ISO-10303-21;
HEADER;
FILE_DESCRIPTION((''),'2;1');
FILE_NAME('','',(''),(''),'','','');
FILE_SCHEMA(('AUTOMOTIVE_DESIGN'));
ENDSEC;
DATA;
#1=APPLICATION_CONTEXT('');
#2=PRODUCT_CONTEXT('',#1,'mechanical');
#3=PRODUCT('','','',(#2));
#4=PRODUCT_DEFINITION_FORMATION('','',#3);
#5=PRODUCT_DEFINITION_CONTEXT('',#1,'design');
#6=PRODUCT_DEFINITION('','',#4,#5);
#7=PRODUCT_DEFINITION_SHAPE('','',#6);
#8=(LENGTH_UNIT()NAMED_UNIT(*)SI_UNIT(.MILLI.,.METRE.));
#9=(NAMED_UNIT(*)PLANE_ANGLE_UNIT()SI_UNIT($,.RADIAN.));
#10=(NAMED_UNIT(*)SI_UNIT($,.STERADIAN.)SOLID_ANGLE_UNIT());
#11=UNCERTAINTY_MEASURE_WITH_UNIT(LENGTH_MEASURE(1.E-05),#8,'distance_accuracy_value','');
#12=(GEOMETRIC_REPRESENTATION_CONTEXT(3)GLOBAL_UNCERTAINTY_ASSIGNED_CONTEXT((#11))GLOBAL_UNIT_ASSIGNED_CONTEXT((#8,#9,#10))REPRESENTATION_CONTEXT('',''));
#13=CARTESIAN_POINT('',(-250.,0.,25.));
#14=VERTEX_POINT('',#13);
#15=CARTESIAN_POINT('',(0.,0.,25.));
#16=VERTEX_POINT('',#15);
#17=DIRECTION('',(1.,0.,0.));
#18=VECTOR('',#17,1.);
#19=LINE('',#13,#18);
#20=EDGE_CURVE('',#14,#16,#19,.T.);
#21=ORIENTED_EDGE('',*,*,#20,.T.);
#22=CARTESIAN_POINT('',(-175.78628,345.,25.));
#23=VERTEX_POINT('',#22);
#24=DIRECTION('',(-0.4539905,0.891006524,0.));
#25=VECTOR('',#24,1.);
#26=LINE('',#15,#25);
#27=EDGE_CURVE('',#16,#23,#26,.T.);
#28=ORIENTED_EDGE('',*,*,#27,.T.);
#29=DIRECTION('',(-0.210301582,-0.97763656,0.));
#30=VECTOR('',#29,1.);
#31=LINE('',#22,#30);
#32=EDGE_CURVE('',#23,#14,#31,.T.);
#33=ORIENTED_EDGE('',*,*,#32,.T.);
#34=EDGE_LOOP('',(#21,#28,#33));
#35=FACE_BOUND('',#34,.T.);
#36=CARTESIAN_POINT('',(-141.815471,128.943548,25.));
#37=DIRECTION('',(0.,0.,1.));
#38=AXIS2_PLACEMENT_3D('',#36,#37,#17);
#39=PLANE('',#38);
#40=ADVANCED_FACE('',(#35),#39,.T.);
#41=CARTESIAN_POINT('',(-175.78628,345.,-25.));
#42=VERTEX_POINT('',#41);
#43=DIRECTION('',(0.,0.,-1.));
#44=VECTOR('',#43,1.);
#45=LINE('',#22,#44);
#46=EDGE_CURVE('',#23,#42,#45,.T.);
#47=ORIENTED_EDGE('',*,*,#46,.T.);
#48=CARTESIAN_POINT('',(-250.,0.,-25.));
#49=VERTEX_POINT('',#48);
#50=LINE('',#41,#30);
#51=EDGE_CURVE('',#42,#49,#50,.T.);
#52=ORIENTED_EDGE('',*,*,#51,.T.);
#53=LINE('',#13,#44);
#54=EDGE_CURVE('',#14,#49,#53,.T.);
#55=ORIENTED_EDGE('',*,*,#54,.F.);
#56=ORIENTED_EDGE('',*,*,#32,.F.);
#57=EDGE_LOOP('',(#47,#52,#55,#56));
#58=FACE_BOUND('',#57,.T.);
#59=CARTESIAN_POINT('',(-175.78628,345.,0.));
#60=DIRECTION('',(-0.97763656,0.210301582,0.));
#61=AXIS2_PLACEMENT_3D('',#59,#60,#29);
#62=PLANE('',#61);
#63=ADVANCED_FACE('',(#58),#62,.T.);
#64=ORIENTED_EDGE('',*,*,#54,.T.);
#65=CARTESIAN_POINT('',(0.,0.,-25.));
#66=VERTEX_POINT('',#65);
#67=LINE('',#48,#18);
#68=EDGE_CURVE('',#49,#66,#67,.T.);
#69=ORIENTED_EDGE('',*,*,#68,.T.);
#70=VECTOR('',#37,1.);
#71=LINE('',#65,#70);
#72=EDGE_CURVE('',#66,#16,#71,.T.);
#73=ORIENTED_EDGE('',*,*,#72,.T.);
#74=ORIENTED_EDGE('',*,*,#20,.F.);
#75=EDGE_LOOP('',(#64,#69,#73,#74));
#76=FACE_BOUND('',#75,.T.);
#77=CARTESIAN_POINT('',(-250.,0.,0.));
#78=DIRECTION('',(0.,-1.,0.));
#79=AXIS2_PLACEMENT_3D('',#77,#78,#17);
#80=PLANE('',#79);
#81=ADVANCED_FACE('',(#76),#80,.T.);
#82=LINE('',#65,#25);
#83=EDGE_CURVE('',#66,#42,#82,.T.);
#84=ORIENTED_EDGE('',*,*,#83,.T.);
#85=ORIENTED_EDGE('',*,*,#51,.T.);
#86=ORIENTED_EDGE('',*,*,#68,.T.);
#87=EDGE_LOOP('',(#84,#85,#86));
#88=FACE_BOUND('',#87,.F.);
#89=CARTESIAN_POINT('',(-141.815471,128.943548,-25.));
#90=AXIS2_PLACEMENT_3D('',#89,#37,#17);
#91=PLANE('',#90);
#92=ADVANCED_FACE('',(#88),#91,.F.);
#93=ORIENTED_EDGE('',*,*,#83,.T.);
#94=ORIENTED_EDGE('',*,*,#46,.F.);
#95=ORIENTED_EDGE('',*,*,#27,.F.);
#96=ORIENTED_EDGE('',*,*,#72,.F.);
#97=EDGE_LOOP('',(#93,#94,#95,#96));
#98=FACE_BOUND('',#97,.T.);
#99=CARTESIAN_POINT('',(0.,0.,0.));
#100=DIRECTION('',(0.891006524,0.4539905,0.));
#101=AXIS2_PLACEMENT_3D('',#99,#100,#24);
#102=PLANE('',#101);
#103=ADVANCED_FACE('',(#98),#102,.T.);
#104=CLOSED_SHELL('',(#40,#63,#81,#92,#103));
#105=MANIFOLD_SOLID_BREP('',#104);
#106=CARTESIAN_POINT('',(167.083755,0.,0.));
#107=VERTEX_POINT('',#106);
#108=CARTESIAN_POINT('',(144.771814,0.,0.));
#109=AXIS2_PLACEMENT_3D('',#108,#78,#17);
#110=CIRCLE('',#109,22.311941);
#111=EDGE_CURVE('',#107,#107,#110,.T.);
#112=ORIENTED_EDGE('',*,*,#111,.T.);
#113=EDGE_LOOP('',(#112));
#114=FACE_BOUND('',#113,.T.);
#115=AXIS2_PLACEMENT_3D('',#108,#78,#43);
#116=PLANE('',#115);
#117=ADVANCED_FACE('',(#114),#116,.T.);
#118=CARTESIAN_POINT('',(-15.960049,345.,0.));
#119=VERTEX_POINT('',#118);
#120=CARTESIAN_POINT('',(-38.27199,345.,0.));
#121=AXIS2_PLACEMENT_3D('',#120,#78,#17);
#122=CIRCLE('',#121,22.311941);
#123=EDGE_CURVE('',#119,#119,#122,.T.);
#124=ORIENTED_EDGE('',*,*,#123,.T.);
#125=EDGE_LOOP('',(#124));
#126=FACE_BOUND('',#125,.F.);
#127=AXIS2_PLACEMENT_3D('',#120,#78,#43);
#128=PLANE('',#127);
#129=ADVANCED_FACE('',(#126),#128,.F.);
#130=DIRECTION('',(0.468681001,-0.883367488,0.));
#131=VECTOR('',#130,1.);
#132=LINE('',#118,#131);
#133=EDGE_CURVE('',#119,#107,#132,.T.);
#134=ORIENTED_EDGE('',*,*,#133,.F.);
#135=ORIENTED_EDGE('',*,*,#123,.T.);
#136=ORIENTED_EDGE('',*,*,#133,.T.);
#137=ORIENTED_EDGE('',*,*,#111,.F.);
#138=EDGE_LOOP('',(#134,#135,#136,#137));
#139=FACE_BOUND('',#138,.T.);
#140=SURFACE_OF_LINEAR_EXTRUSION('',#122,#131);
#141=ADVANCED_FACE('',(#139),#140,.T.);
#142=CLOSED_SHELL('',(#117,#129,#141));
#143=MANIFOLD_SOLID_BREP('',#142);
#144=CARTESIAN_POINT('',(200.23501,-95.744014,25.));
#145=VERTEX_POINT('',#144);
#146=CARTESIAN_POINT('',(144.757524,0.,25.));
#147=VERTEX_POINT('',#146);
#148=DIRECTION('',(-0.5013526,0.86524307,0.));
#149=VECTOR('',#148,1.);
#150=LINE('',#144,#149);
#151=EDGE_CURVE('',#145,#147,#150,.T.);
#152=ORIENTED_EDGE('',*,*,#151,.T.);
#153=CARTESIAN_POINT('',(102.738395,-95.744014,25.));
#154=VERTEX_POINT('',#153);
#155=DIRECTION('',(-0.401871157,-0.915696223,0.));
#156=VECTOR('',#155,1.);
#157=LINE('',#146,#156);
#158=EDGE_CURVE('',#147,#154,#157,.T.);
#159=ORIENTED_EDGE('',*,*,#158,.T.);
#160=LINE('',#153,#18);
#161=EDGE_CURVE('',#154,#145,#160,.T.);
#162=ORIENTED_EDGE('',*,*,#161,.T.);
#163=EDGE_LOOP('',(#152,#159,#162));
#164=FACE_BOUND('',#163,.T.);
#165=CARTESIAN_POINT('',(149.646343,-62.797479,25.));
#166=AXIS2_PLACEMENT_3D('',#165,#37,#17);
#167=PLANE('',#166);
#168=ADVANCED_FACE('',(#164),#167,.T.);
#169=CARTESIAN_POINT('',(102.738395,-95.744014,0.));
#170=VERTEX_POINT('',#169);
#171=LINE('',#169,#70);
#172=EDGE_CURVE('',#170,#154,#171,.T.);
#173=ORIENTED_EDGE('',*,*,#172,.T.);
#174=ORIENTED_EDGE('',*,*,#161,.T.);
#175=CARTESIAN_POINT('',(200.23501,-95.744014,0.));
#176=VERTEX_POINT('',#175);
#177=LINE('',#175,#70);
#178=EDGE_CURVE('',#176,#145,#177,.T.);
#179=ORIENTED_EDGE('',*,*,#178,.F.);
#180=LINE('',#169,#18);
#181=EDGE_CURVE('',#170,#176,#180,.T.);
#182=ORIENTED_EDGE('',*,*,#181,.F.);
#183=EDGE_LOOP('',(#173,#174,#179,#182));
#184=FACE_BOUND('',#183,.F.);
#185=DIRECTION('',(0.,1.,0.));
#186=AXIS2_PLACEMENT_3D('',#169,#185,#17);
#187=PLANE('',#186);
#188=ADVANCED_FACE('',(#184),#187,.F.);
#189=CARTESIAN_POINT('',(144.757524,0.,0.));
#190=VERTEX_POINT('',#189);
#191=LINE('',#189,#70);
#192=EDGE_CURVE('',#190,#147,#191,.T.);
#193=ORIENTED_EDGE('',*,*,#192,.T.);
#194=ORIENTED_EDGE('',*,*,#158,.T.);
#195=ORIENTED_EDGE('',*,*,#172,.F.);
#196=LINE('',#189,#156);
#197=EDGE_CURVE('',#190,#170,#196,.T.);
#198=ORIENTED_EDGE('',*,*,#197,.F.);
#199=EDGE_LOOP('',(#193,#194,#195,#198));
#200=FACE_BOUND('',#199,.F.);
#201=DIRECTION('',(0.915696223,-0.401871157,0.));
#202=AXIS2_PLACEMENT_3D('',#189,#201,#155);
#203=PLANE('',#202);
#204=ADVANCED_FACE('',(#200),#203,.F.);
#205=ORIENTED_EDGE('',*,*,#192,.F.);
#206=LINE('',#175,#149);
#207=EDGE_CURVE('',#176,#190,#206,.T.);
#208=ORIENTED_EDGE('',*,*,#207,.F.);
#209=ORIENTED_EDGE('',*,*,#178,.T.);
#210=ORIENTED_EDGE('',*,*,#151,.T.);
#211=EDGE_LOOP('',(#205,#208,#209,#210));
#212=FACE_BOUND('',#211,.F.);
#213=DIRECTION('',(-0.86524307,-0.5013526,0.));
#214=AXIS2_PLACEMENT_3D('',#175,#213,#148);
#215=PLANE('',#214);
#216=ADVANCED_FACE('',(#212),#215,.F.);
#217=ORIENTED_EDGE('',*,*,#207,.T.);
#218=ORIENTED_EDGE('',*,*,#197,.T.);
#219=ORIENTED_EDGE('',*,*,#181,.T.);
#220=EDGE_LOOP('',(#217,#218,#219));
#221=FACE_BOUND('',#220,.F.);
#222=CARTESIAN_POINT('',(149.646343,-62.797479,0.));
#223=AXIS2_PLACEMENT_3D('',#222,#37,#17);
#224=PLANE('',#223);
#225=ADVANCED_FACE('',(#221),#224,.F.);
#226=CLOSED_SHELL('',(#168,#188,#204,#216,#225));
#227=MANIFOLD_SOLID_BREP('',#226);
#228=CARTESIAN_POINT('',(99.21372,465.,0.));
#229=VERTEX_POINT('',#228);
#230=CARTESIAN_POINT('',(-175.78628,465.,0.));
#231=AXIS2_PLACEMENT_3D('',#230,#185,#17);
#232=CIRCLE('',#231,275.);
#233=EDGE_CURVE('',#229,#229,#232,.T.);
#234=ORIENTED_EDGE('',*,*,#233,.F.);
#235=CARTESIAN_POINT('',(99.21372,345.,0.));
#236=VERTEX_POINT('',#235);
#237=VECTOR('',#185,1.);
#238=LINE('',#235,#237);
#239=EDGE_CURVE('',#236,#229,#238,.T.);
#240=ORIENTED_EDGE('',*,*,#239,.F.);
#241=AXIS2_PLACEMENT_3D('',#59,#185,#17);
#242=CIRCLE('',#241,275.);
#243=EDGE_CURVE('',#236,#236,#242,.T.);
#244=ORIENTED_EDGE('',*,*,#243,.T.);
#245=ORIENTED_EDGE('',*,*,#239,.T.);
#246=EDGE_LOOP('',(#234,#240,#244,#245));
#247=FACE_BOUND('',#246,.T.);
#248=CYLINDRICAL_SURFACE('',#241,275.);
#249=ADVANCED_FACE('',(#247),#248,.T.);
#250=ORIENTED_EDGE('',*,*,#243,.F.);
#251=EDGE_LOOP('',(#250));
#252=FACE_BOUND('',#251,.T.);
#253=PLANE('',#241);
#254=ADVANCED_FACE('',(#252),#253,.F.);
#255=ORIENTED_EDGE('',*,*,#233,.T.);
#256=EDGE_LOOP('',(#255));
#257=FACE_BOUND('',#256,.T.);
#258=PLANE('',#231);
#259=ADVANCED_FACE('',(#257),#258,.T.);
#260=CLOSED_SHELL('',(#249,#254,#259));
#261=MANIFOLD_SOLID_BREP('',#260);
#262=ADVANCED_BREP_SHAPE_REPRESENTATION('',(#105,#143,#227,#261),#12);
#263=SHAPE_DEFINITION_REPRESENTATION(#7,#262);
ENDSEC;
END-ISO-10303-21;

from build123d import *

# Parameters (mm, degrees)
F2_DEPTH = 25
F4_R     = 22.311941
F7_DEPTH = 25


with BuildPart() as f1:
    # F0 (on Top) → F1 (revolve)
    with BuildSketch(Plane.XY):
        Polygon((-175.78628, 465), (-175.78628, 345), (-38.28628, 345), (99.21372, 345), (99.21372, 465), align=None)
    revolve(axis=Axis((-175.78628, 405, 0), (0, 1, 0)))


with BuildPart() as f2:
    # F0 (on Top) → F2 (new body, symmetric)
    with BuildSketch(Plane.XY):
        Polygon((-250, 0), (0, 0), (-175.78628, 345), align=None)
    extrude(amount=F2_DEPTH, both=True)


with BuildPart() as f5:
    # F5: sweep along a path in F0
    with BuildLine(Plane.XY) as f5_path:
        Line((-38.28628, 345), (144.757524, 0))
    # F4 (on Front) → F5 (sweep)
    with BuildSketch(Plane.XZ):
        with Locations((144.771814, 0)):
            Circle(F4_R)
    sweep(path=f5_path.line)


with BuildPart() as f7:
    # F0 (on Top) → F7 (new body)
    with BuildSketch(Plane.XY):
        Polygon((200.23501, -95.744014), (144.757524, 0), (102.738395, -95.744014), align=None)
    extrude(amount=F7_DEPTH)


solid = Compound([f1.part, f2.part, f5.part, f7.part])
